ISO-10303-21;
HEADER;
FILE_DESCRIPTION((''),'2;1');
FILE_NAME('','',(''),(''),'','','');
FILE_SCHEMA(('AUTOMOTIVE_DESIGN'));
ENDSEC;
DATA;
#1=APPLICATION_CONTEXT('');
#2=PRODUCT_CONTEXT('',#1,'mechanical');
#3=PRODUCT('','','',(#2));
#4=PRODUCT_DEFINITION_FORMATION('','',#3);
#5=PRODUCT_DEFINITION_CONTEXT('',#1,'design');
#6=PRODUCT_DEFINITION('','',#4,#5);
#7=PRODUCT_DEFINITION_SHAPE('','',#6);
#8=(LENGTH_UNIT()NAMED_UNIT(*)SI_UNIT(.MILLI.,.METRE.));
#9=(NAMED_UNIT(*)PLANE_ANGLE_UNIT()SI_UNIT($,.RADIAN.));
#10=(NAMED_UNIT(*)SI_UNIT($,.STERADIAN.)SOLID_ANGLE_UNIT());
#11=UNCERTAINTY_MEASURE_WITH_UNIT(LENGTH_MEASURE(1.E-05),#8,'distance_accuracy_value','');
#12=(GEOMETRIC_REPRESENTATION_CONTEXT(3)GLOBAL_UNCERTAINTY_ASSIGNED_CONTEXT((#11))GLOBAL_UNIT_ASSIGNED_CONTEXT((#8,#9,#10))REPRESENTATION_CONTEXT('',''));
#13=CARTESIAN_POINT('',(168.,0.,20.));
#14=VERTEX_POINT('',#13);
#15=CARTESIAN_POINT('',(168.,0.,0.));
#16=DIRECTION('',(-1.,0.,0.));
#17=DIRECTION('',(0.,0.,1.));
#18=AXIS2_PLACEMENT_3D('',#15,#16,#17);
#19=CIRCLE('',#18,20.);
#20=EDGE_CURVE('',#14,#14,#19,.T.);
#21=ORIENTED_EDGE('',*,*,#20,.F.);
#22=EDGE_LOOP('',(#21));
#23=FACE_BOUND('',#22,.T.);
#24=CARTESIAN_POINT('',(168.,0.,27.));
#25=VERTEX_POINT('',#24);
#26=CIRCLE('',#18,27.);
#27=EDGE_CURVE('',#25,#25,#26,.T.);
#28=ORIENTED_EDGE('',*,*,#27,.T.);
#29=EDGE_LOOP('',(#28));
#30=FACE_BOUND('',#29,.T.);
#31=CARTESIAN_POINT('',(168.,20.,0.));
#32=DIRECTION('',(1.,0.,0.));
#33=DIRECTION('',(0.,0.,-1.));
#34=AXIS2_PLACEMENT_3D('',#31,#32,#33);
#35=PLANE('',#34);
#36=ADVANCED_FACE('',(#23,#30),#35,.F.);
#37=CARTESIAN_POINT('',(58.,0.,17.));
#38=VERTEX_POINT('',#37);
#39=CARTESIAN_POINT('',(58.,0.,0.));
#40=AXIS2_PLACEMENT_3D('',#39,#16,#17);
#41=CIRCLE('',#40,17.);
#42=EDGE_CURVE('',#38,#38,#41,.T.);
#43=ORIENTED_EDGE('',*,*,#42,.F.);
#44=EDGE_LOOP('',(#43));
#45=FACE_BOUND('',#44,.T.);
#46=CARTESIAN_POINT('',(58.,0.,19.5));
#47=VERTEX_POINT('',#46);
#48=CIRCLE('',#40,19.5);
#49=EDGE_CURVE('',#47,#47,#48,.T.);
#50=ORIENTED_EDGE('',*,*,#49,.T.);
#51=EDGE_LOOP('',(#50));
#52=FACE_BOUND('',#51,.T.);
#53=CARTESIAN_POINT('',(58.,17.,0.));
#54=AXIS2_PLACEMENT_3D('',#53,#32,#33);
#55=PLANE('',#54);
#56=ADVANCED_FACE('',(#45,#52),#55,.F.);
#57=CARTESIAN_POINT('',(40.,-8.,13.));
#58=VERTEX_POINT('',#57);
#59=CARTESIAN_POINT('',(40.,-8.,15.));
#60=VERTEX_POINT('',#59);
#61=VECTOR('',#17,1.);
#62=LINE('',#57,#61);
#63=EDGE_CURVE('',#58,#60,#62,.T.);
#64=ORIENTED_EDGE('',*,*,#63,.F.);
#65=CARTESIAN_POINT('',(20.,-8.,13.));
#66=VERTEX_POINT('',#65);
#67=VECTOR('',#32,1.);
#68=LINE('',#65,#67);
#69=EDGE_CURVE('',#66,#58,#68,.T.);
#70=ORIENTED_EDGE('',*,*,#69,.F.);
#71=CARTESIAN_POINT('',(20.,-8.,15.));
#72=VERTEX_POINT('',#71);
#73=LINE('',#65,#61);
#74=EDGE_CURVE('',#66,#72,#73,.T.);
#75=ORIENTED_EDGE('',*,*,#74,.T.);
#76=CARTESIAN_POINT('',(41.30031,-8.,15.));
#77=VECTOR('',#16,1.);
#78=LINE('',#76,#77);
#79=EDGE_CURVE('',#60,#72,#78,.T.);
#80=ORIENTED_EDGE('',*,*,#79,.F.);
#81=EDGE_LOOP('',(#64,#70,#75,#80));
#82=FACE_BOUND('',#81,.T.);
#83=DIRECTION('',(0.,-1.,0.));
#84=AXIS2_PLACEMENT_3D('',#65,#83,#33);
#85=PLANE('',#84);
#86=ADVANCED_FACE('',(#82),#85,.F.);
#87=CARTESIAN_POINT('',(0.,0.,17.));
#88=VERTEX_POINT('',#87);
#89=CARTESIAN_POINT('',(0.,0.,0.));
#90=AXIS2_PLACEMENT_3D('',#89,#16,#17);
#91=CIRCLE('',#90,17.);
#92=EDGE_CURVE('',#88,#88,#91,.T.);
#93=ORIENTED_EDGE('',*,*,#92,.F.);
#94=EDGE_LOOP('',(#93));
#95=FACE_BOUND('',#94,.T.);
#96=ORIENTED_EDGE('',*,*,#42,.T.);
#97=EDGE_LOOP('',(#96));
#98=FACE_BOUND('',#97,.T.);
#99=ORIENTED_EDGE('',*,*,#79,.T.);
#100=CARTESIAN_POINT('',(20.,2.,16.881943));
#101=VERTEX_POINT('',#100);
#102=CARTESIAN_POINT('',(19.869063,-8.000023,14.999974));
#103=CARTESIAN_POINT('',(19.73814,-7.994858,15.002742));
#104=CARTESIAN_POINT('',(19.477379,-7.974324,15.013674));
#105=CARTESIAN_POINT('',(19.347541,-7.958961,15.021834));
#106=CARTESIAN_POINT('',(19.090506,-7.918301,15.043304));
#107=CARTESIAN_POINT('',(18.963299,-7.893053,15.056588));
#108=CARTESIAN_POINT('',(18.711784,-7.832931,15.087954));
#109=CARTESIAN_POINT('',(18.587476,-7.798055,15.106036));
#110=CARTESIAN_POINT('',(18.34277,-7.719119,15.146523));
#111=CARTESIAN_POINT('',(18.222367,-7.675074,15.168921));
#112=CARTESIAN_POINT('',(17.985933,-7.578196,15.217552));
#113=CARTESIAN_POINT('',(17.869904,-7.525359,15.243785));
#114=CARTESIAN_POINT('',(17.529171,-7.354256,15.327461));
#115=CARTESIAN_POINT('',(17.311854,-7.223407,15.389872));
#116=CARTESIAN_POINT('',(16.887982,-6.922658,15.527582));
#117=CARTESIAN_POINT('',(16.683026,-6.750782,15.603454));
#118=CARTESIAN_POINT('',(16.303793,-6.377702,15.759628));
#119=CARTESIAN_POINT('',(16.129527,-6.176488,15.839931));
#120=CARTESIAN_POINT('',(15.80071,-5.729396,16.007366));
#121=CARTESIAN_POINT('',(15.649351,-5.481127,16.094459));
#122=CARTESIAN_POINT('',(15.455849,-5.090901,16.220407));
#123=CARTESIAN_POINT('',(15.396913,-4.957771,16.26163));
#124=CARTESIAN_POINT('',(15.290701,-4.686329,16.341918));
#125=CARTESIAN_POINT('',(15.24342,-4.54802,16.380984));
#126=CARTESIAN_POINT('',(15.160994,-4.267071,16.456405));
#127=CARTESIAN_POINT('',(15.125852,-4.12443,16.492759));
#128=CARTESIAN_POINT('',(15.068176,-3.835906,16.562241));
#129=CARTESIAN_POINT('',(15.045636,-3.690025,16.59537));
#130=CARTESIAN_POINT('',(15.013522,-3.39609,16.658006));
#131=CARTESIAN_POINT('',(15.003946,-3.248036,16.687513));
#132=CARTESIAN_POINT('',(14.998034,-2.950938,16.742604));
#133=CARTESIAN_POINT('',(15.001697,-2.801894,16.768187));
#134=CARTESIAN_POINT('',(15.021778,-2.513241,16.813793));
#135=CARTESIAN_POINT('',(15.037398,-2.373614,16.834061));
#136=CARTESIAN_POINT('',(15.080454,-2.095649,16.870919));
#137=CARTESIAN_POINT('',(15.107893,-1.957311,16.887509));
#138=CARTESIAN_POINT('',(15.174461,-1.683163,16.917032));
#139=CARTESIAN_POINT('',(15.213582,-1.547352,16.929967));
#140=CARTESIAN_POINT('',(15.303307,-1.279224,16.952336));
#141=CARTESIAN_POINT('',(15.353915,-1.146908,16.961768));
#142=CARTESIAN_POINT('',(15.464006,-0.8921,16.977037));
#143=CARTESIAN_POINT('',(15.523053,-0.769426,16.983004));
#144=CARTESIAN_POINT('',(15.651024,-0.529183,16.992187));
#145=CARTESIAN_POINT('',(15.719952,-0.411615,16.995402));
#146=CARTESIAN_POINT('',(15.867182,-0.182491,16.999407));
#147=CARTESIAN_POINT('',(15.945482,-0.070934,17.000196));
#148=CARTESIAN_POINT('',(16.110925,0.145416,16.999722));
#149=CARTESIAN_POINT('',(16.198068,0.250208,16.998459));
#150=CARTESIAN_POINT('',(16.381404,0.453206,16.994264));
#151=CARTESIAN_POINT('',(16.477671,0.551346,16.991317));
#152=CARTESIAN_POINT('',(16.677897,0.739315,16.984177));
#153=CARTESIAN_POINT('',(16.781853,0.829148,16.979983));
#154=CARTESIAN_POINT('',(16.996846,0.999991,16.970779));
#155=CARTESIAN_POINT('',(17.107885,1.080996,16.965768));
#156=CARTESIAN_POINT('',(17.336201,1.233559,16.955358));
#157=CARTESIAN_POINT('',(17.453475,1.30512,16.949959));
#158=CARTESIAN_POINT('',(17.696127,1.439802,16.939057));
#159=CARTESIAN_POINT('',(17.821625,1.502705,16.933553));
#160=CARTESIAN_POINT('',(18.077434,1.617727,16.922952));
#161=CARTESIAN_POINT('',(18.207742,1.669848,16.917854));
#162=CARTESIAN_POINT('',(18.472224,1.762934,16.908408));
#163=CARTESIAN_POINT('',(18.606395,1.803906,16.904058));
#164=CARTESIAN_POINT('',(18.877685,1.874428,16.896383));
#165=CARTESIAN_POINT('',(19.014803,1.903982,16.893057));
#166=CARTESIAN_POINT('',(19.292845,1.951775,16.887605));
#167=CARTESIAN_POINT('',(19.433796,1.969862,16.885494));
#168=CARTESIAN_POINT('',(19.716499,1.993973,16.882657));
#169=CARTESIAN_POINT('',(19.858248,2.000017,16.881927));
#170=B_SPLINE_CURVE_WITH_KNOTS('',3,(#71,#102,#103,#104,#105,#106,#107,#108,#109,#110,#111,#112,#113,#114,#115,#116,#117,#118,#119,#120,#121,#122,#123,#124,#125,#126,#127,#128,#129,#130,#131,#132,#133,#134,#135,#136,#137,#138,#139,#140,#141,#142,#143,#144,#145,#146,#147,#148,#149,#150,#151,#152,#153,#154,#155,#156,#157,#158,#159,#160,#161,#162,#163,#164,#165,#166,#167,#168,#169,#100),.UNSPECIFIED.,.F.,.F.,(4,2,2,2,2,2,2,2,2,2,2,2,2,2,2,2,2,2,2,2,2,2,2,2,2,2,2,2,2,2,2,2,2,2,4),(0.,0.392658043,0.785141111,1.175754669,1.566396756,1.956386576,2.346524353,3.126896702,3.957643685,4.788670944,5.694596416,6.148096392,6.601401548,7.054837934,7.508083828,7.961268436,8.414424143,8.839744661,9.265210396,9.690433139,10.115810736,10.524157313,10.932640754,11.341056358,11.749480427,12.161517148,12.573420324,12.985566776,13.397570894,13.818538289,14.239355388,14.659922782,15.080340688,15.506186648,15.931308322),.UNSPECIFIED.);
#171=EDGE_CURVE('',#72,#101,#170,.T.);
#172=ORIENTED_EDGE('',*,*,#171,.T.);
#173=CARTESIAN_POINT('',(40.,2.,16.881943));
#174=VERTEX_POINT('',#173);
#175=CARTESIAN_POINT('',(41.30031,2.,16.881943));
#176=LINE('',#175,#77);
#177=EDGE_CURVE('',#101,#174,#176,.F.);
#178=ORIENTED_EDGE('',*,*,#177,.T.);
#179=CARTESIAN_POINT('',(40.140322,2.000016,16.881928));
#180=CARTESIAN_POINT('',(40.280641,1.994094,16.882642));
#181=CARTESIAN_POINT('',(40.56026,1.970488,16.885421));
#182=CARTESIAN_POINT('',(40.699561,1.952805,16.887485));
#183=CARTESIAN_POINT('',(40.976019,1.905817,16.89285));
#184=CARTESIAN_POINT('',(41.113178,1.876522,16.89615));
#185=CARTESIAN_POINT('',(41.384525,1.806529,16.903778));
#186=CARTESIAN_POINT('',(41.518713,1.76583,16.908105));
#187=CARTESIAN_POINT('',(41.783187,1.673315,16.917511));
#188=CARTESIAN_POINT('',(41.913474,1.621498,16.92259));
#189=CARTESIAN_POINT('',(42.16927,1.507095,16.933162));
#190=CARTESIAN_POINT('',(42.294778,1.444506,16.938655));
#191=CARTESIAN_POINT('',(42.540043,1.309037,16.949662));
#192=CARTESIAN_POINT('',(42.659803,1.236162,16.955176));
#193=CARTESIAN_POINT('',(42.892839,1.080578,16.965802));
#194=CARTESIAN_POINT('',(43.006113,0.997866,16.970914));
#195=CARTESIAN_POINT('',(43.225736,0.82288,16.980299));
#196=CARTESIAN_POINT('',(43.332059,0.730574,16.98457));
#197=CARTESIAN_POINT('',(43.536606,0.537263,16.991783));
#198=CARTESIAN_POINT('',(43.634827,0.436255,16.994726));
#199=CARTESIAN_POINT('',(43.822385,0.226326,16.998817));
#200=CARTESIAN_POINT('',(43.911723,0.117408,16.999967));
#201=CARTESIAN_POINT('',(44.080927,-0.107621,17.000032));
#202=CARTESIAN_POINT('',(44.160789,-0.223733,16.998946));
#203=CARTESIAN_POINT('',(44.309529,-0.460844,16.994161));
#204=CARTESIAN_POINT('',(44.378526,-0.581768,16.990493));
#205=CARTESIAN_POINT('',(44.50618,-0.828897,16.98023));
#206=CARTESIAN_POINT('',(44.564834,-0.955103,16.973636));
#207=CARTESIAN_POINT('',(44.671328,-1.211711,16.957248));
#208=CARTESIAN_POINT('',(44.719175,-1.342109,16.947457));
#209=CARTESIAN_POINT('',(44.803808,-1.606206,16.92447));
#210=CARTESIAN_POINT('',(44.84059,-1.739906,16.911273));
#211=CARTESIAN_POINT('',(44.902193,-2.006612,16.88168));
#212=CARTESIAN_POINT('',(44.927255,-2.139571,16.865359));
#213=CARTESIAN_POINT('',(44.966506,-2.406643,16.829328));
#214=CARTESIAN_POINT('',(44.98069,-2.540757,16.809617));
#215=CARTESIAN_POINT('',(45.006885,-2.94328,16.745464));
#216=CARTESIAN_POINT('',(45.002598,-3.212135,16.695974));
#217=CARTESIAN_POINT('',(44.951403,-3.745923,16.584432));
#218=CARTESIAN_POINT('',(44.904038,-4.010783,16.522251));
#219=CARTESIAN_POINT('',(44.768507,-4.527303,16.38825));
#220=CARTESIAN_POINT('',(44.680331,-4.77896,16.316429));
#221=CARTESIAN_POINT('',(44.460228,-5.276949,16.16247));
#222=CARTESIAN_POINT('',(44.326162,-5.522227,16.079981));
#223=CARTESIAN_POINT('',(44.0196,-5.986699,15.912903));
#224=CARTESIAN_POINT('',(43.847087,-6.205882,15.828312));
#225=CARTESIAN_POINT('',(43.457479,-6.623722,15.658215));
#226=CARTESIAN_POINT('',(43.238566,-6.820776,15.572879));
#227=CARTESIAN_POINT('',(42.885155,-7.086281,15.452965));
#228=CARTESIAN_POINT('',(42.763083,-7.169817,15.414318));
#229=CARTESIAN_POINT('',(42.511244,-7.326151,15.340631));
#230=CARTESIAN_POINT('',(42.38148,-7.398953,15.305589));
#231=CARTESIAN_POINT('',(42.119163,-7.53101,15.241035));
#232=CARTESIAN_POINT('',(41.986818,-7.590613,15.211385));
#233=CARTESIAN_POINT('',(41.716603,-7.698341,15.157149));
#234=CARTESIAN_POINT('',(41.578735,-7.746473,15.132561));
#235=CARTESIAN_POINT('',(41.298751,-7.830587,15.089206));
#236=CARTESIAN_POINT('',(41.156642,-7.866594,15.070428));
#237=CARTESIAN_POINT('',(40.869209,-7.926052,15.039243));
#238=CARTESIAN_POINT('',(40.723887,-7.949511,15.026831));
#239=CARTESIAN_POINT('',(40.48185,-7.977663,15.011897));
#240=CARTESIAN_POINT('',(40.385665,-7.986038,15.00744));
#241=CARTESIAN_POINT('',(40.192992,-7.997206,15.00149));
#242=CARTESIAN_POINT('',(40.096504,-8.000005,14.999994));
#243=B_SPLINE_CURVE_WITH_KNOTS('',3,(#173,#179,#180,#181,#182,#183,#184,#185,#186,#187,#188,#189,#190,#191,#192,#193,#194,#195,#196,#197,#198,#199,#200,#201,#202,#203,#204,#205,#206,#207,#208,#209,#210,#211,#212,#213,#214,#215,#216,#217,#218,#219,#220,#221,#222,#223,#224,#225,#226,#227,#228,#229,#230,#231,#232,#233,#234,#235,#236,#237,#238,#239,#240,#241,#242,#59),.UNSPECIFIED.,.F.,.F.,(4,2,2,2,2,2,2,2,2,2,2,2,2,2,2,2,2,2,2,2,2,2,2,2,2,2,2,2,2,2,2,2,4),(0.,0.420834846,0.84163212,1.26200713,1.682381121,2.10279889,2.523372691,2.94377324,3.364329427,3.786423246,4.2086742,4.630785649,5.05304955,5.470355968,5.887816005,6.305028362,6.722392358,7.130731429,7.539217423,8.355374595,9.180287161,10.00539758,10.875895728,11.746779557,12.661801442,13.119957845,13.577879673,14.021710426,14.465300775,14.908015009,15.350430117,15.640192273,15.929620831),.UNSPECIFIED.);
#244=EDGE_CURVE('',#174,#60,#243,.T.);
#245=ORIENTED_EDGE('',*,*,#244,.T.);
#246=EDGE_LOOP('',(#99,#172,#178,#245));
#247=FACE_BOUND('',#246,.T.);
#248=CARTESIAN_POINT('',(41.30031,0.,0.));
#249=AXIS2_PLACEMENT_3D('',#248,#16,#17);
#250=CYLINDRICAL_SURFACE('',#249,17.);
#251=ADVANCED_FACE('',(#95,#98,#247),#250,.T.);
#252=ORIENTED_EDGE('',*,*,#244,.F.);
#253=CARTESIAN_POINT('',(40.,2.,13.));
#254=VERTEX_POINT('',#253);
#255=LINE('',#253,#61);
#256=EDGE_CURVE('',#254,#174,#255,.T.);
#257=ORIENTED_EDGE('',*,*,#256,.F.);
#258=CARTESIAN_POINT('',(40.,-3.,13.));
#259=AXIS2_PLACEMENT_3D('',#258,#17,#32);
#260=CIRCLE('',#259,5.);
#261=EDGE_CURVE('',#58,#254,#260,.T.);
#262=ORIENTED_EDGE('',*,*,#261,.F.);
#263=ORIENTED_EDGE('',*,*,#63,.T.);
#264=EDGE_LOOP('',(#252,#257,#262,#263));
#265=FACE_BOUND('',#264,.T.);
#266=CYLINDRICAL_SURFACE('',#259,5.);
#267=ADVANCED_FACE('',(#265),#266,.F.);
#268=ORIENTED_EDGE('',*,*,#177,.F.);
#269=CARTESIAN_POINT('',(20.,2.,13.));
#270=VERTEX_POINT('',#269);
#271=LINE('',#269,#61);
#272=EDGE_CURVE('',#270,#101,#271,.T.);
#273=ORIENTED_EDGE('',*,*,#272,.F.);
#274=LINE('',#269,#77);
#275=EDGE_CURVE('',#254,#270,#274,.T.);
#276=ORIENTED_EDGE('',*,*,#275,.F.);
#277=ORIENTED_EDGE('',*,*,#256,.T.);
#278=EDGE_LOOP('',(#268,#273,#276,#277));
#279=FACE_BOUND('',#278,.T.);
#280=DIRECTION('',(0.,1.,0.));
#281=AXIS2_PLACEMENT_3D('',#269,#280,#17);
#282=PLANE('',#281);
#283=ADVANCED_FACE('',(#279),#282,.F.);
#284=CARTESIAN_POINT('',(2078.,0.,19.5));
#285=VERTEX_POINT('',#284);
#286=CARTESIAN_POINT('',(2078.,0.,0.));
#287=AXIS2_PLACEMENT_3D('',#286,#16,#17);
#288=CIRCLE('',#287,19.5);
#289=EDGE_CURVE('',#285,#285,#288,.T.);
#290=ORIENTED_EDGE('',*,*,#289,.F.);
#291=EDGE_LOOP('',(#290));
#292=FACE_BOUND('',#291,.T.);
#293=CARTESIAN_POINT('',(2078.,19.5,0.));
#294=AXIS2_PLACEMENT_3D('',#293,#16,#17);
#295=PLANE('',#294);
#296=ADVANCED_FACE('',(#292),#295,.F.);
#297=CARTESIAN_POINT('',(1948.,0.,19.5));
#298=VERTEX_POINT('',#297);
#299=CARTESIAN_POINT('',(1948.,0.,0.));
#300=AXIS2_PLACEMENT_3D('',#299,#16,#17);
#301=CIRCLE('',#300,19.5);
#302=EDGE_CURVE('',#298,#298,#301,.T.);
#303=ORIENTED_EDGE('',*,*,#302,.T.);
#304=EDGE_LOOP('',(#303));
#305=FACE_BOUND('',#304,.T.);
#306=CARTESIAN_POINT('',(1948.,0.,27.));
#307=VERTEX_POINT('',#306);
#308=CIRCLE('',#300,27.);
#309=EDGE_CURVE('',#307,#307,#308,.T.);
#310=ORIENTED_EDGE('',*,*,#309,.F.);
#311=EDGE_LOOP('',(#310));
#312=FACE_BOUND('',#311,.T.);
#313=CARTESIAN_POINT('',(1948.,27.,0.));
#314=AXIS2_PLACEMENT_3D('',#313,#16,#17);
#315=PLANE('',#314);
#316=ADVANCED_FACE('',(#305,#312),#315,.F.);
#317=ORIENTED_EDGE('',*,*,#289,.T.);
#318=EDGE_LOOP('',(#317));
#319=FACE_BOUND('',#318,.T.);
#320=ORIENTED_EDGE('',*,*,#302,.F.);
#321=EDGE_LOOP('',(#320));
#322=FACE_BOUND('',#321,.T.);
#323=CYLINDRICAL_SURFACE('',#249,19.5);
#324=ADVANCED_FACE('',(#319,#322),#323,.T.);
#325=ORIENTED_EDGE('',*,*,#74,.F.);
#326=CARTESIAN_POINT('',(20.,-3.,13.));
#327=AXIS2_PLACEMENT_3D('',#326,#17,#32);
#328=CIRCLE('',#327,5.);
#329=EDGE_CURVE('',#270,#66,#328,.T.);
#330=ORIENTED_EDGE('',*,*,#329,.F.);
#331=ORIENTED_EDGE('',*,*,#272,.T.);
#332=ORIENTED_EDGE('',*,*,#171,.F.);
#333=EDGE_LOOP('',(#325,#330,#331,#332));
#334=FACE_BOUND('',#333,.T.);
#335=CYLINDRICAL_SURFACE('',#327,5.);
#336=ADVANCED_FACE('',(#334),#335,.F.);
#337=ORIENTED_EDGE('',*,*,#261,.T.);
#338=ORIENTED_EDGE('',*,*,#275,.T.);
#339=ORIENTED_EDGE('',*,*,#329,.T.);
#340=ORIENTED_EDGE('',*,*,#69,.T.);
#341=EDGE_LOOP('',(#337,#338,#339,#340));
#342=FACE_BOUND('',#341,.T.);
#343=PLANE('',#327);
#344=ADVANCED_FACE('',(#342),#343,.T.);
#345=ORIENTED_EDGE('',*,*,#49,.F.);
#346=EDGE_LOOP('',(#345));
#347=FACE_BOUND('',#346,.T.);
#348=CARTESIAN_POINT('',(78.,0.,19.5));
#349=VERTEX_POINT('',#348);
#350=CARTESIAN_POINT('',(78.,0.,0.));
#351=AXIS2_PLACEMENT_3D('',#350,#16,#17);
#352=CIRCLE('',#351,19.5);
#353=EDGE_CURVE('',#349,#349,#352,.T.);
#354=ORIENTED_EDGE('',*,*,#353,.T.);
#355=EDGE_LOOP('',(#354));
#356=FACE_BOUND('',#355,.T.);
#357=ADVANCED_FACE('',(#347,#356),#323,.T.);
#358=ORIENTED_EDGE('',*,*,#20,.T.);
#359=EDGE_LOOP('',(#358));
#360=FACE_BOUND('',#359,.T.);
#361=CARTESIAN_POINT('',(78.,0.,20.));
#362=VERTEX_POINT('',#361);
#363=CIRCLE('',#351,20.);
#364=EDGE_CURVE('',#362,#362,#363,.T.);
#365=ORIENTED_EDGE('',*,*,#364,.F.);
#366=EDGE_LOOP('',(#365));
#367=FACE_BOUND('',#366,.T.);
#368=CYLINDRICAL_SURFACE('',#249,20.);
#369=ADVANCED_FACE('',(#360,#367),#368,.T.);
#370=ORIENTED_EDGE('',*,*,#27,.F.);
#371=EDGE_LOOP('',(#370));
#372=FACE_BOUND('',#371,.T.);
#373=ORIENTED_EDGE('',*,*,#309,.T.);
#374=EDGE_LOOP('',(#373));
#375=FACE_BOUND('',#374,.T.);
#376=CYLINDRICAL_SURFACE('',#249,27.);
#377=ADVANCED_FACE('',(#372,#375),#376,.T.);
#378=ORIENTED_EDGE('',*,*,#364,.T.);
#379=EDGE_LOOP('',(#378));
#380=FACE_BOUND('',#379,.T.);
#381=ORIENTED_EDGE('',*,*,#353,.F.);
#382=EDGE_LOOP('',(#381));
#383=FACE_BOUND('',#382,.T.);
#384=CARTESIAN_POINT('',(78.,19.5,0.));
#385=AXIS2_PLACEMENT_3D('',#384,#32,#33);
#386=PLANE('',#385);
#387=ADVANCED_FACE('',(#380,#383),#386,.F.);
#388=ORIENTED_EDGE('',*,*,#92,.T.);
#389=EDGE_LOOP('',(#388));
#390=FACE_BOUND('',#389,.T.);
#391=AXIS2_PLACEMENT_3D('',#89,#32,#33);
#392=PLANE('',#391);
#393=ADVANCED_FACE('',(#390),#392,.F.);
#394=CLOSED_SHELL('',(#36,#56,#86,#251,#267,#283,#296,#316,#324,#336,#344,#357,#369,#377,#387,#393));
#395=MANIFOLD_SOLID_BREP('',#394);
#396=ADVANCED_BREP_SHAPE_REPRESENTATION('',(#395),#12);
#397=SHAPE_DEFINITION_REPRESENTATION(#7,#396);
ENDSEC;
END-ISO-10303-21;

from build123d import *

# Parameters (mm, degrees)
CUT_EXTRUDE_1_DEPTH = 4


with BuildPart() as part:
    # 草图2 → 旋转5 (revolve)
    with BuildSketch(Plane.XY, mode=Mode.PRIVATE) as revolve_5_sk:
        Polygon((0, 0), (0, 17), (58, 17), (58, 19.5), (78, 19.5), (78, 20), (168, 20), (168, 27), (1948, 27), (1948, 19.5), (2078, 19.5), (2078, 0), align=None)
    revolve(revolve_5_sk.sketch.rotate(Axis((41.300309891, 0, 0), (1, 0, 0)), 90), axis=Axis((41.300309891, 0, 0), (1, 0, 0)))

    # 草图3 → 切除-拉伸1 (cut)
    with BuildSketch(Plane.XY.offset(17)):
        with BuildLine():
            Line((20, 2), (40, 2))
            ThreePointArc((40, 2), (45, -3), (40, -8))
            Line((40, -8), (20, -8))
            ThreePointArc((20, -8), (15, -3), (20, 2))
        make_face()
    extrude(amount=-CUT_EXTRUDE_1_DEPTH, mode=Mode.SUBTRACT)


solid = part.part
